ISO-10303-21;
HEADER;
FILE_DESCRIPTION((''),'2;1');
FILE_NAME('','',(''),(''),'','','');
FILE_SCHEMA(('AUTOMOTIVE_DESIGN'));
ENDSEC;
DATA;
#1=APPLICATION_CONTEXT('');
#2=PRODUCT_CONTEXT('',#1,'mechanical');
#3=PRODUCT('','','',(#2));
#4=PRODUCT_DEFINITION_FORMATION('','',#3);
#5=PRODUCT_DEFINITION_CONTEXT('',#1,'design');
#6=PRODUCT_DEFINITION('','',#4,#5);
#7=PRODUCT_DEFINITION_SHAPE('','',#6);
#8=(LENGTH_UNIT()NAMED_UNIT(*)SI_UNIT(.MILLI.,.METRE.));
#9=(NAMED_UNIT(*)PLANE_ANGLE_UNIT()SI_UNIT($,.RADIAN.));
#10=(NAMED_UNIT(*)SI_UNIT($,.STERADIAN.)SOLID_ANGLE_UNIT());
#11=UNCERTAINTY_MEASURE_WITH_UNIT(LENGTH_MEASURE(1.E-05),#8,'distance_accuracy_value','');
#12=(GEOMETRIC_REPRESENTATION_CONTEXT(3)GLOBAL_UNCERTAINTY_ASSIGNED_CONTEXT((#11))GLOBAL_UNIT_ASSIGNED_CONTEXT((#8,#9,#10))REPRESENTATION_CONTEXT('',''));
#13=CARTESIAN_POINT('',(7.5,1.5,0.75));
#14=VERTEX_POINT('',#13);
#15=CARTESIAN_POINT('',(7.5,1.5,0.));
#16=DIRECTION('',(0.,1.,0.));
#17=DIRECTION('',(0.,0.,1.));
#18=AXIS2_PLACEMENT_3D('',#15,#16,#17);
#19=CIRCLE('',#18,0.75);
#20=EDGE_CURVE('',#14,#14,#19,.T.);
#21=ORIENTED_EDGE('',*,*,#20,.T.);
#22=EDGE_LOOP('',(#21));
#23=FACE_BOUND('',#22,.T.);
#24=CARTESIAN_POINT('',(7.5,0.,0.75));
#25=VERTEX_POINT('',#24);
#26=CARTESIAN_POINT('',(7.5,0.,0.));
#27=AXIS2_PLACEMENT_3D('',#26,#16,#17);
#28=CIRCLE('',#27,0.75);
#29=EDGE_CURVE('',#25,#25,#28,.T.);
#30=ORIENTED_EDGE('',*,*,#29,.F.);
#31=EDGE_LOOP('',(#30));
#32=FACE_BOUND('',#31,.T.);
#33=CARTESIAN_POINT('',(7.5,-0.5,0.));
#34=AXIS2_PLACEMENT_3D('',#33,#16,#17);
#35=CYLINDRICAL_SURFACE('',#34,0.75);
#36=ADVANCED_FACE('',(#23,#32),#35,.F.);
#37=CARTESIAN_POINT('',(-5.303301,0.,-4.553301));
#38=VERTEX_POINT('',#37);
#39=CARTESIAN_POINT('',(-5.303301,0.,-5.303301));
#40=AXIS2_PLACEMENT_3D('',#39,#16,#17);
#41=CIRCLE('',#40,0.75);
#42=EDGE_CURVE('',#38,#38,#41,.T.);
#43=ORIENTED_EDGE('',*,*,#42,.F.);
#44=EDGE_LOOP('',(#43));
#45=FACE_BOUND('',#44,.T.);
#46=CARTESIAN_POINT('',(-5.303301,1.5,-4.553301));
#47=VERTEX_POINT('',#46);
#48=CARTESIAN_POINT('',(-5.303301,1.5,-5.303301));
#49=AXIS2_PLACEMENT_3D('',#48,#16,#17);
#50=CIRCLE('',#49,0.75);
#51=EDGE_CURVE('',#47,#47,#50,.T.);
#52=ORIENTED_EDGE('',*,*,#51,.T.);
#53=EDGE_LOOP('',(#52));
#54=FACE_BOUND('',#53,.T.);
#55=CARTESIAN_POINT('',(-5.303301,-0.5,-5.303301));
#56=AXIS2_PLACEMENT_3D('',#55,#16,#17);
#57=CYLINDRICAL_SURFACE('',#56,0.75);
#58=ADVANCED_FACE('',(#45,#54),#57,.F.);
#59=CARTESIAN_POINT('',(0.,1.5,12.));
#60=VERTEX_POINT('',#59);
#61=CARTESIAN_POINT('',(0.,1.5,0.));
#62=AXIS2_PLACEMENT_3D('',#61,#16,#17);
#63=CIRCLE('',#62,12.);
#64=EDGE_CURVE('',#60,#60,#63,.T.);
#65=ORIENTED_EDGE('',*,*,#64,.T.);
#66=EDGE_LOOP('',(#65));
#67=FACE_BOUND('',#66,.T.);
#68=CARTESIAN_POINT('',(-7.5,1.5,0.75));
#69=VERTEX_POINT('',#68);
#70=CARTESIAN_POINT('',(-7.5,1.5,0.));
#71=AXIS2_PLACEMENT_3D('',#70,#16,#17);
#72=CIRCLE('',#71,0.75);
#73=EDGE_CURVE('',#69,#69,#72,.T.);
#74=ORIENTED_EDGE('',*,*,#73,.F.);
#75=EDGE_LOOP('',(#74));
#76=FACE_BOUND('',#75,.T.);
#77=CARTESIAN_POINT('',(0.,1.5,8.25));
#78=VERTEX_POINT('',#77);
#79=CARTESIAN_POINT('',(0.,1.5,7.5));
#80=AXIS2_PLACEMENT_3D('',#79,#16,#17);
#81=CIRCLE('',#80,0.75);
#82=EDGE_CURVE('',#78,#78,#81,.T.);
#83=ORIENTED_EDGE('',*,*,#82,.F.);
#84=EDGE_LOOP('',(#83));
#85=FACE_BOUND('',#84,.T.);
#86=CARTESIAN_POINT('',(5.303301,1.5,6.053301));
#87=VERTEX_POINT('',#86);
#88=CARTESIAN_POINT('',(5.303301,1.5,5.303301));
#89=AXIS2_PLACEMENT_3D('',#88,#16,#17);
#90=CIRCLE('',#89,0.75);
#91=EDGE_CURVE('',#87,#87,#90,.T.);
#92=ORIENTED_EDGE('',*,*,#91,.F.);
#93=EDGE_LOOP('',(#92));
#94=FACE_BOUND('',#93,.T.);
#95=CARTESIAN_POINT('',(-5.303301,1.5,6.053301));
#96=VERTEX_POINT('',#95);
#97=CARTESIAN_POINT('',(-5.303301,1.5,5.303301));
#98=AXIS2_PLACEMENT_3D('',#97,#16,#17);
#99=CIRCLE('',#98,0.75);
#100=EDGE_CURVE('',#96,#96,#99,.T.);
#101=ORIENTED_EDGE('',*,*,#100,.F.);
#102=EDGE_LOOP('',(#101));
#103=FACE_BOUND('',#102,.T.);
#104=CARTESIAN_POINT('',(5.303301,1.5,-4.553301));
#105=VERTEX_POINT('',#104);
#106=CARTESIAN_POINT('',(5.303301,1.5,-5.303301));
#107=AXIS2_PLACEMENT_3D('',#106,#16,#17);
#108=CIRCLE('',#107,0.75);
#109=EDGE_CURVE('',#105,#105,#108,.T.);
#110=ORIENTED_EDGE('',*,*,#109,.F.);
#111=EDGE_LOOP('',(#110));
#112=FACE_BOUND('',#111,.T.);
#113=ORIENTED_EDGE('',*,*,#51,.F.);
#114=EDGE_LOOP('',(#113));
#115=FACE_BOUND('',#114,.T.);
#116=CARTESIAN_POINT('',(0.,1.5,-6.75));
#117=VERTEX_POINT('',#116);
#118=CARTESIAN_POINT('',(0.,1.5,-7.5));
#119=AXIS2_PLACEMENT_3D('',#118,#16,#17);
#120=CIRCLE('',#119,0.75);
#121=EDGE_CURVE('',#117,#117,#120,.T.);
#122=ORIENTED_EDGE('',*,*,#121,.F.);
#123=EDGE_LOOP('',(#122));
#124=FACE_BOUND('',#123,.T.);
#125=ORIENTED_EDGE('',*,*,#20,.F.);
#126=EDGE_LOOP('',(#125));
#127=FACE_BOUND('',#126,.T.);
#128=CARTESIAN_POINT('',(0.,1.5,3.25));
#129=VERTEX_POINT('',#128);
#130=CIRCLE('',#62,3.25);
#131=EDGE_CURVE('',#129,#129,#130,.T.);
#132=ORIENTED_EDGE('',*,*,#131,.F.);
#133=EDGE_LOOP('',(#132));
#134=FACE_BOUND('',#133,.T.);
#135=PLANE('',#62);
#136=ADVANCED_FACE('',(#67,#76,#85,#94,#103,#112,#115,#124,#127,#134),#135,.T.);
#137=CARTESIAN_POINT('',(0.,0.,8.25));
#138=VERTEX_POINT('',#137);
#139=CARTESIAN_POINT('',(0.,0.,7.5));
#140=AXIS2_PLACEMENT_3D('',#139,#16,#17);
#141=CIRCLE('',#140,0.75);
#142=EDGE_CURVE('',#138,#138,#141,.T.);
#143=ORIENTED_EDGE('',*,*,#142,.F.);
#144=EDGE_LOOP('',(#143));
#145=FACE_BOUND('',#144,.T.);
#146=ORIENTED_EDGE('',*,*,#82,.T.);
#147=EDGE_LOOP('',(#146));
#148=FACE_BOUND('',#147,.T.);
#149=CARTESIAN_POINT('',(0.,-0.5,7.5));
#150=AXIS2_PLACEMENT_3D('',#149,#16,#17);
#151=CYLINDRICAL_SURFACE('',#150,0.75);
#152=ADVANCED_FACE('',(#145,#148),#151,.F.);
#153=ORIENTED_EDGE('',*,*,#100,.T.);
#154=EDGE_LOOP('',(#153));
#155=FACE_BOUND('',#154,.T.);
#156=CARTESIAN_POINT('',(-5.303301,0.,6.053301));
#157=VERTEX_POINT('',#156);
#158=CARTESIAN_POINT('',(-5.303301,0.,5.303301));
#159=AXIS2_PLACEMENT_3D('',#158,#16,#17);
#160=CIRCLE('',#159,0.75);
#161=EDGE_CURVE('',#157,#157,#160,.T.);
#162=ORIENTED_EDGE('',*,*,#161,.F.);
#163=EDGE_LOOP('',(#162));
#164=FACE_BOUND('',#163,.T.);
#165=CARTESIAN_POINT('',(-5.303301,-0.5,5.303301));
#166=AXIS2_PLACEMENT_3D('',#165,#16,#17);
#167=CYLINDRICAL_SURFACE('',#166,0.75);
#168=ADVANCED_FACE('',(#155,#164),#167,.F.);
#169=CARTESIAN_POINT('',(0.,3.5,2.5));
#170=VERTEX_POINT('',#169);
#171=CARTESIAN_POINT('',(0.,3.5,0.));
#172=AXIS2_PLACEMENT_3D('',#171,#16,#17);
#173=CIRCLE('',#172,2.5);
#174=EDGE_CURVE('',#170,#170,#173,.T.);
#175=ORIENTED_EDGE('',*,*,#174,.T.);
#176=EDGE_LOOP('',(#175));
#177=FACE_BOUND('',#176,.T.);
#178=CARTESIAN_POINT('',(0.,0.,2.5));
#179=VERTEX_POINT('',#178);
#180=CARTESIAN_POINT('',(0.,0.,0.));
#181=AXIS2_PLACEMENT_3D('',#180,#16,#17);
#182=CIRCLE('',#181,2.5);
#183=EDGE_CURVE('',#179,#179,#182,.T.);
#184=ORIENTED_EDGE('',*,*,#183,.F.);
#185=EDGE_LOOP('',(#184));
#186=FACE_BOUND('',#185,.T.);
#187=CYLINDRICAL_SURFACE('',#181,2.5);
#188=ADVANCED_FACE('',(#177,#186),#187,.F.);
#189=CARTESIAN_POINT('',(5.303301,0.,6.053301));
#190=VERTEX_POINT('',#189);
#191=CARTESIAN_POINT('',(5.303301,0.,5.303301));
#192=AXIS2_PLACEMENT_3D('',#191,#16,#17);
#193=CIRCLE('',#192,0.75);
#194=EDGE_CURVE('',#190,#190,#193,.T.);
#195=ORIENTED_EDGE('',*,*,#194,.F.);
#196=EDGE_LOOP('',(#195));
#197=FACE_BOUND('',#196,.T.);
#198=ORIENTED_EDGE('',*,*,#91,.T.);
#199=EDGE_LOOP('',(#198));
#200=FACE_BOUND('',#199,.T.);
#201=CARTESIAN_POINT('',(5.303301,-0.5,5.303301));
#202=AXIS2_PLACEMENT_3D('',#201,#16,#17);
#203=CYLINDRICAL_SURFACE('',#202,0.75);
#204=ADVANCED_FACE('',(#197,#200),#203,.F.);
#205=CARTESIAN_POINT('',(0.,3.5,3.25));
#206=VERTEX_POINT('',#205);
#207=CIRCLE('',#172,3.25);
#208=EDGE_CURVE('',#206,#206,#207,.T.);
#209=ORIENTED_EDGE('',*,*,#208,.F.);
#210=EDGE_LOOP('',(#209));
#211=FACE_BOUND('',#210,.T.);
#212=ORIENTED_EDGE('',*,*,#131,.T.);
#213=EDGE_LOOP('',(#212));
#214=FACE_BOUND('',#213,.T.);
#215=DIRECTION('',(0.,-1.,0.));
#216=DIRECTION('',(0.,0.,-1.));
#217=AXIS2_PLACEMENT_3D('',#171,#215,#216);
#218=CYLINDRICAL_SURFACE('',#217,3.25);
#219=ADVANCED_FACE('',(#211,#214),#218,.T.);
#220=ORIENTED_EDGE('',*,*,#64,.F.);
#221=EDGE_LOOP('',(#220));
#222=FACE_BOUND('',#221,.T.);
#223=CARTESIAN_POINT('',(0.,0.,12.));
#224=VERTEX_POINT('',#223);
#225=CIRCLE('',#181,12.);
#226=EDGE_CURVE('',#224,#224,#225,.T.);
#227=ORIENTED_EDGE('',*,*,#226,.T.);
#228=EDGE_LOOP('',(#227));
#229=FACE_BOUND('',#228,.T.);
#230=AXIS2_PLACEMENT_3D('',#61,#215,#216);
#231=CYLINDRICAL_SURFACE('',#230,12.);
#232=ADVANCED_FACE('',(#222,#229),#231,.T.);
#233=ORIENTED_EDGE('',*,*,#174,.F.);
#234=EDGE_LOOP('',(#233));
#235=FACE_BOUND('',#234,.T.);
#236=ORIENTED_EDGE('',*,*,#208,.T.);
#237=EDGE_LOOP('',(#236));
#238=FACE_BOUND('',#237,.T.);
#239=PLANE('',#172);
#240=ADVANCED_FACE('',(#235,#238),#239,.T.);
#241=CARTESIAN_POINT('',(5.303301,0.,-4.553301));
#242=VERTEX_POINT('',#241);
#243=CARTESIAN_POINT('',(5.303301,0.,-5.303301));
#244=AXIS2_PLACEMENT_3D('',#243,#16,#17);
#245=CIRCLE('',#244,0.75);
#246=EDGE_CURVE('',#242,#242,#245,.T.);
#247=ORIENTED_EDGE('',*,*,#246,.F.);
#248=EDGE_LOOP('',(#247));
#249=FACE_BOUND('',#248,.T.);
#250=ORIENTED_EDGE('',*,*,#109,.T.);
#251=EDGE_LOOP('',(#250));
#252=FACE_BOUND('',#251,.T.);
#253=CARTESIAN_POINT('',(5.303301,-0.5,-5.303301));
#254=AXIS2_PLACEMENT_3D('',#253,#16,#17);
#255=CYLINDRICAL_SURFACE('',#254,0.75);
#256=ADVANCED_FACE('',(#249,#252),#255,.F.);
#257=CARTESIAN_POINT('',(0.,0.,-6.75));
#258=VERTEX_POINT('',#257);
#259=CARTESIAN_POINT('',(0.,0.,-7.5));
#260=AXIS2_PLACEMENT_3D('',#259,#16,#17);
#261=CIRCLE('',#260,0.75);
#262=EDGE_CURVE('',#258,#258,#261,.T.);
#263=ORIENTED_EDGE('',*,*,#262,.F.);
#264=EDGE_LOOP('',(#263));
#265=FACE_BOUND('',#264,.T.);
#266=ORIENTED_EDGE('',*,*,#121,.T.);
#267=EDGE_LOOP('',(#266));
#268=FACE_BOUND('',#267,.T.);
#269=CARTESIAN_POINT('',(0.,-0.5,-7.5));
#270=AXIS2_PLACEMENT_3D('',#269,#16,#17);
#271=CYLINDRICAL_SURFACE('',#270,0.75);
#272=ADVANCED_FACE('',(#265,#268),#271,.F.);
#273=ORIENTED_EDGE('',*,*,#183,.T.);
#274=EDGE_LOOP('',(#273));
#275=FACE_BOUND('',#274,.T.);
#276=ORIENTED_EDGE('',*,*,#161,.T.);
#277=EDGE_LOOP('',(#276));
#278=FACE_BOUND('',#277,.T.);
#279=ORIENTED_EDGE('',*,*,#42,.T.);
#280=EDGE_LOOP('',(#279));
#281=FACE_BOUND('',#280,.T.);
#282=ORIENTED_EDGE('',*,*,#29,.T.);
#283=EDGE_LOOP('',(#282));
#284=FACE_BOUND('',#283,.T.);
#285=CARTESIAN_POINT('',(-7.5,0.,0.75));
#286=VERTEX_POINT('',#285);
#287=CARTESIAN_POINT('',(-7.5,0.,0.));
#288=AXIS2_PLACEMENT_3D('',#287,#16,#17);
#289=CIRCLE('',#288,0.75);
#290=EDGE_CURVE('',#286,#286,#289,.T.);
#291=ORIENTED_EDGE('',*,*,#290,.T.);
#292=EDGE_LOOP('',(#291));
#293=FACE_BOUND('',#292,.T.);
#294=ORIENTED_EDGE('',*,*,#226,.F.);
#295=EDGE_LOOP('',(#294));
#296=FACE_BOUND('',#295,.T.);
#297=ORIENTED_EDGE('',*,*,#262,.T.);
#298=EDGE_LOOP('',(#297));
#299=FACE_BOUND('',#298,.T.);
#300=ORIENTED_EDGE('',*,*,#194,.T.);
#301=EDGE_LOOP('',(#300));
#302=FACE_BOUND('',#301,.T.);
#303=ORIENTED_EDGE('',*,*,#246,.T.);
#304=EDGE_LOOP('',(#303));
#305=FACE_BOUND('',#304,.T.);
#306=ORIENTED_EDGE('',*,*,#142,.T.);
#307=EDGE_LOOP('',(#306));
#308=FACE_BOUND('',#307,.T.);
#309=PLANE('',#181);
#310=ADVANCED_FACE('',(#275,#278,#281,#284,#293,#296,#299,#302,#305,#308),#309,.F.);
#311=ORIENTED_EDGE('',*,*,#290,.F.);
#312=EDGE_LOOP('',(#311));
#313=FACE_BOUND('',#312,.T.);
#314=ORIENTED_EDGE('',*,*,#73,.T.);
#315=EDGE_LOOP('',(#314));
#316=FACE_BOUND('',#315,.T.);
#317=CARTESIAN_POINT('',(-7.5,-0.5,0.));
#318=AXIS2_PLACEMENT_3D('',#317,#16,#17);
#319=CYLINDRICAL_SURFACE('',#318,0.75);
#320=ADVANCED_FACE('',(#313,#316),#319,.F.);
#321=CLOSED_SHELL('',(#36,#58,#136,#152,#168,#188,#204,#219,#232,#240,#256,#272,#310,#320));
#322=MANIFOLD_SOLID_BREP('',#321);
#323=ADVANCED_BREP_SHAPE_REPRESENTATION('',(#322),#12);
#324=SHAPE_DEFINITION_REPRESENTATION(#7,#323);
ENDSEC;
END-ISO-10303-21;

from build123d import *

# Parameters (mm, degrees)
SKETCH1_R           = 12
BOSS_EXTRUDE1_DEPTH = 1.5
SKETCH2_R           = 3.25
BOSS_EXTRUDE2_DEPTH = 2
SKETCH3_R           = 2.5
CUT_EXTRUDE1_DEPTH  = 18.327723451
SKETCH5_R           = 0.75
CUT_EXTRUDE3_DEPTH  = 2


with BuildPart() as part:
    # Sketch1 → Boss-Extrude1 (new body)
    with BuildSketch(Plane(origin=(0, 0, 0), x_dir=(1, 0, 0), z_dir=(0, 1, 0))):
        with Locations(Location((0, 0, 0), (0, 0, 270))):
            Circle(SKETCH1_R)
    extrude(amount=BOSS_EXTRUDE1_DEPTH)

    # Sketch2 → Boss-Extrude2 (add)
    with BuildSketch(Plane(origin=(0, 1.5, 0), x_dir=(1, 0, 0), z_dir=(0, 1, 0))):
        with Locations(Location((0, 0, 0), (0, 0, 270))):
            Circle(SKETCH2_R)
    extrude(amount=BOSS_EXTRUDE2_DEPTH)

    # Sketch3 → Cut-Extrude1 (cut, through all)
    with BuildSketch(Plane(origin=(0, 3.5, 0), x_dir=(1, 0, 0), z_dir=(0, 1, 0))):
        with Locations(Location((0, 0, 0), (0, 0, 270))):
            Circle(SKETCH3_R)
    extrude(amount=-CUT_EXTRUDE1_DEPTH, mode=Mode.SUBTRACT)

    # Sketch5 → Cut-Extrude3 (cut)
    with BuildSketch(Plane(origin=(0, 1.5, 0), x_dir=(1, 0, 0), z_dir=(0, 1, 0))):
        with Locations(Location((0, 7.5, 0), (0, 0, 270))):
            Circle(SKETCH5_R)
        with Locations(Location((5.303300859, 5.303300859, 0), (0, 0, 270))):
            Circle(SKETCH5_R)
        with Locations(Location((7.5, 0, 0), (0, 0, 270))):
            Circle(SKETCH5_R)
        with Locations(Location((5.303300859, -5.303300859, 0), (0, 0, 270))):
            Circle(SKETCH5_R)
        with Locations(Location((0, -7.5, 0), (0, 0, 270))):
            Circle(SKETCH5_R)
        with Locations(Location((-5.303300859, -5.303300859, 0), (0, 0, 270))):
            Circle(SKETCH5_R)
        with Locations(Location((-7.5, 0, 0), (0, 0, 270))):
            Circle(SKETCH5_R)
        with Locations(Location((-5.303300859, 5.303300859, 0), (0, 0, 270))):
            Circle(SKETCH5_R)
    extrude(amount=-CUT_EXTRUDE3_DEPTH, mode=Mode.SUBTRACT)


solid = part.part
